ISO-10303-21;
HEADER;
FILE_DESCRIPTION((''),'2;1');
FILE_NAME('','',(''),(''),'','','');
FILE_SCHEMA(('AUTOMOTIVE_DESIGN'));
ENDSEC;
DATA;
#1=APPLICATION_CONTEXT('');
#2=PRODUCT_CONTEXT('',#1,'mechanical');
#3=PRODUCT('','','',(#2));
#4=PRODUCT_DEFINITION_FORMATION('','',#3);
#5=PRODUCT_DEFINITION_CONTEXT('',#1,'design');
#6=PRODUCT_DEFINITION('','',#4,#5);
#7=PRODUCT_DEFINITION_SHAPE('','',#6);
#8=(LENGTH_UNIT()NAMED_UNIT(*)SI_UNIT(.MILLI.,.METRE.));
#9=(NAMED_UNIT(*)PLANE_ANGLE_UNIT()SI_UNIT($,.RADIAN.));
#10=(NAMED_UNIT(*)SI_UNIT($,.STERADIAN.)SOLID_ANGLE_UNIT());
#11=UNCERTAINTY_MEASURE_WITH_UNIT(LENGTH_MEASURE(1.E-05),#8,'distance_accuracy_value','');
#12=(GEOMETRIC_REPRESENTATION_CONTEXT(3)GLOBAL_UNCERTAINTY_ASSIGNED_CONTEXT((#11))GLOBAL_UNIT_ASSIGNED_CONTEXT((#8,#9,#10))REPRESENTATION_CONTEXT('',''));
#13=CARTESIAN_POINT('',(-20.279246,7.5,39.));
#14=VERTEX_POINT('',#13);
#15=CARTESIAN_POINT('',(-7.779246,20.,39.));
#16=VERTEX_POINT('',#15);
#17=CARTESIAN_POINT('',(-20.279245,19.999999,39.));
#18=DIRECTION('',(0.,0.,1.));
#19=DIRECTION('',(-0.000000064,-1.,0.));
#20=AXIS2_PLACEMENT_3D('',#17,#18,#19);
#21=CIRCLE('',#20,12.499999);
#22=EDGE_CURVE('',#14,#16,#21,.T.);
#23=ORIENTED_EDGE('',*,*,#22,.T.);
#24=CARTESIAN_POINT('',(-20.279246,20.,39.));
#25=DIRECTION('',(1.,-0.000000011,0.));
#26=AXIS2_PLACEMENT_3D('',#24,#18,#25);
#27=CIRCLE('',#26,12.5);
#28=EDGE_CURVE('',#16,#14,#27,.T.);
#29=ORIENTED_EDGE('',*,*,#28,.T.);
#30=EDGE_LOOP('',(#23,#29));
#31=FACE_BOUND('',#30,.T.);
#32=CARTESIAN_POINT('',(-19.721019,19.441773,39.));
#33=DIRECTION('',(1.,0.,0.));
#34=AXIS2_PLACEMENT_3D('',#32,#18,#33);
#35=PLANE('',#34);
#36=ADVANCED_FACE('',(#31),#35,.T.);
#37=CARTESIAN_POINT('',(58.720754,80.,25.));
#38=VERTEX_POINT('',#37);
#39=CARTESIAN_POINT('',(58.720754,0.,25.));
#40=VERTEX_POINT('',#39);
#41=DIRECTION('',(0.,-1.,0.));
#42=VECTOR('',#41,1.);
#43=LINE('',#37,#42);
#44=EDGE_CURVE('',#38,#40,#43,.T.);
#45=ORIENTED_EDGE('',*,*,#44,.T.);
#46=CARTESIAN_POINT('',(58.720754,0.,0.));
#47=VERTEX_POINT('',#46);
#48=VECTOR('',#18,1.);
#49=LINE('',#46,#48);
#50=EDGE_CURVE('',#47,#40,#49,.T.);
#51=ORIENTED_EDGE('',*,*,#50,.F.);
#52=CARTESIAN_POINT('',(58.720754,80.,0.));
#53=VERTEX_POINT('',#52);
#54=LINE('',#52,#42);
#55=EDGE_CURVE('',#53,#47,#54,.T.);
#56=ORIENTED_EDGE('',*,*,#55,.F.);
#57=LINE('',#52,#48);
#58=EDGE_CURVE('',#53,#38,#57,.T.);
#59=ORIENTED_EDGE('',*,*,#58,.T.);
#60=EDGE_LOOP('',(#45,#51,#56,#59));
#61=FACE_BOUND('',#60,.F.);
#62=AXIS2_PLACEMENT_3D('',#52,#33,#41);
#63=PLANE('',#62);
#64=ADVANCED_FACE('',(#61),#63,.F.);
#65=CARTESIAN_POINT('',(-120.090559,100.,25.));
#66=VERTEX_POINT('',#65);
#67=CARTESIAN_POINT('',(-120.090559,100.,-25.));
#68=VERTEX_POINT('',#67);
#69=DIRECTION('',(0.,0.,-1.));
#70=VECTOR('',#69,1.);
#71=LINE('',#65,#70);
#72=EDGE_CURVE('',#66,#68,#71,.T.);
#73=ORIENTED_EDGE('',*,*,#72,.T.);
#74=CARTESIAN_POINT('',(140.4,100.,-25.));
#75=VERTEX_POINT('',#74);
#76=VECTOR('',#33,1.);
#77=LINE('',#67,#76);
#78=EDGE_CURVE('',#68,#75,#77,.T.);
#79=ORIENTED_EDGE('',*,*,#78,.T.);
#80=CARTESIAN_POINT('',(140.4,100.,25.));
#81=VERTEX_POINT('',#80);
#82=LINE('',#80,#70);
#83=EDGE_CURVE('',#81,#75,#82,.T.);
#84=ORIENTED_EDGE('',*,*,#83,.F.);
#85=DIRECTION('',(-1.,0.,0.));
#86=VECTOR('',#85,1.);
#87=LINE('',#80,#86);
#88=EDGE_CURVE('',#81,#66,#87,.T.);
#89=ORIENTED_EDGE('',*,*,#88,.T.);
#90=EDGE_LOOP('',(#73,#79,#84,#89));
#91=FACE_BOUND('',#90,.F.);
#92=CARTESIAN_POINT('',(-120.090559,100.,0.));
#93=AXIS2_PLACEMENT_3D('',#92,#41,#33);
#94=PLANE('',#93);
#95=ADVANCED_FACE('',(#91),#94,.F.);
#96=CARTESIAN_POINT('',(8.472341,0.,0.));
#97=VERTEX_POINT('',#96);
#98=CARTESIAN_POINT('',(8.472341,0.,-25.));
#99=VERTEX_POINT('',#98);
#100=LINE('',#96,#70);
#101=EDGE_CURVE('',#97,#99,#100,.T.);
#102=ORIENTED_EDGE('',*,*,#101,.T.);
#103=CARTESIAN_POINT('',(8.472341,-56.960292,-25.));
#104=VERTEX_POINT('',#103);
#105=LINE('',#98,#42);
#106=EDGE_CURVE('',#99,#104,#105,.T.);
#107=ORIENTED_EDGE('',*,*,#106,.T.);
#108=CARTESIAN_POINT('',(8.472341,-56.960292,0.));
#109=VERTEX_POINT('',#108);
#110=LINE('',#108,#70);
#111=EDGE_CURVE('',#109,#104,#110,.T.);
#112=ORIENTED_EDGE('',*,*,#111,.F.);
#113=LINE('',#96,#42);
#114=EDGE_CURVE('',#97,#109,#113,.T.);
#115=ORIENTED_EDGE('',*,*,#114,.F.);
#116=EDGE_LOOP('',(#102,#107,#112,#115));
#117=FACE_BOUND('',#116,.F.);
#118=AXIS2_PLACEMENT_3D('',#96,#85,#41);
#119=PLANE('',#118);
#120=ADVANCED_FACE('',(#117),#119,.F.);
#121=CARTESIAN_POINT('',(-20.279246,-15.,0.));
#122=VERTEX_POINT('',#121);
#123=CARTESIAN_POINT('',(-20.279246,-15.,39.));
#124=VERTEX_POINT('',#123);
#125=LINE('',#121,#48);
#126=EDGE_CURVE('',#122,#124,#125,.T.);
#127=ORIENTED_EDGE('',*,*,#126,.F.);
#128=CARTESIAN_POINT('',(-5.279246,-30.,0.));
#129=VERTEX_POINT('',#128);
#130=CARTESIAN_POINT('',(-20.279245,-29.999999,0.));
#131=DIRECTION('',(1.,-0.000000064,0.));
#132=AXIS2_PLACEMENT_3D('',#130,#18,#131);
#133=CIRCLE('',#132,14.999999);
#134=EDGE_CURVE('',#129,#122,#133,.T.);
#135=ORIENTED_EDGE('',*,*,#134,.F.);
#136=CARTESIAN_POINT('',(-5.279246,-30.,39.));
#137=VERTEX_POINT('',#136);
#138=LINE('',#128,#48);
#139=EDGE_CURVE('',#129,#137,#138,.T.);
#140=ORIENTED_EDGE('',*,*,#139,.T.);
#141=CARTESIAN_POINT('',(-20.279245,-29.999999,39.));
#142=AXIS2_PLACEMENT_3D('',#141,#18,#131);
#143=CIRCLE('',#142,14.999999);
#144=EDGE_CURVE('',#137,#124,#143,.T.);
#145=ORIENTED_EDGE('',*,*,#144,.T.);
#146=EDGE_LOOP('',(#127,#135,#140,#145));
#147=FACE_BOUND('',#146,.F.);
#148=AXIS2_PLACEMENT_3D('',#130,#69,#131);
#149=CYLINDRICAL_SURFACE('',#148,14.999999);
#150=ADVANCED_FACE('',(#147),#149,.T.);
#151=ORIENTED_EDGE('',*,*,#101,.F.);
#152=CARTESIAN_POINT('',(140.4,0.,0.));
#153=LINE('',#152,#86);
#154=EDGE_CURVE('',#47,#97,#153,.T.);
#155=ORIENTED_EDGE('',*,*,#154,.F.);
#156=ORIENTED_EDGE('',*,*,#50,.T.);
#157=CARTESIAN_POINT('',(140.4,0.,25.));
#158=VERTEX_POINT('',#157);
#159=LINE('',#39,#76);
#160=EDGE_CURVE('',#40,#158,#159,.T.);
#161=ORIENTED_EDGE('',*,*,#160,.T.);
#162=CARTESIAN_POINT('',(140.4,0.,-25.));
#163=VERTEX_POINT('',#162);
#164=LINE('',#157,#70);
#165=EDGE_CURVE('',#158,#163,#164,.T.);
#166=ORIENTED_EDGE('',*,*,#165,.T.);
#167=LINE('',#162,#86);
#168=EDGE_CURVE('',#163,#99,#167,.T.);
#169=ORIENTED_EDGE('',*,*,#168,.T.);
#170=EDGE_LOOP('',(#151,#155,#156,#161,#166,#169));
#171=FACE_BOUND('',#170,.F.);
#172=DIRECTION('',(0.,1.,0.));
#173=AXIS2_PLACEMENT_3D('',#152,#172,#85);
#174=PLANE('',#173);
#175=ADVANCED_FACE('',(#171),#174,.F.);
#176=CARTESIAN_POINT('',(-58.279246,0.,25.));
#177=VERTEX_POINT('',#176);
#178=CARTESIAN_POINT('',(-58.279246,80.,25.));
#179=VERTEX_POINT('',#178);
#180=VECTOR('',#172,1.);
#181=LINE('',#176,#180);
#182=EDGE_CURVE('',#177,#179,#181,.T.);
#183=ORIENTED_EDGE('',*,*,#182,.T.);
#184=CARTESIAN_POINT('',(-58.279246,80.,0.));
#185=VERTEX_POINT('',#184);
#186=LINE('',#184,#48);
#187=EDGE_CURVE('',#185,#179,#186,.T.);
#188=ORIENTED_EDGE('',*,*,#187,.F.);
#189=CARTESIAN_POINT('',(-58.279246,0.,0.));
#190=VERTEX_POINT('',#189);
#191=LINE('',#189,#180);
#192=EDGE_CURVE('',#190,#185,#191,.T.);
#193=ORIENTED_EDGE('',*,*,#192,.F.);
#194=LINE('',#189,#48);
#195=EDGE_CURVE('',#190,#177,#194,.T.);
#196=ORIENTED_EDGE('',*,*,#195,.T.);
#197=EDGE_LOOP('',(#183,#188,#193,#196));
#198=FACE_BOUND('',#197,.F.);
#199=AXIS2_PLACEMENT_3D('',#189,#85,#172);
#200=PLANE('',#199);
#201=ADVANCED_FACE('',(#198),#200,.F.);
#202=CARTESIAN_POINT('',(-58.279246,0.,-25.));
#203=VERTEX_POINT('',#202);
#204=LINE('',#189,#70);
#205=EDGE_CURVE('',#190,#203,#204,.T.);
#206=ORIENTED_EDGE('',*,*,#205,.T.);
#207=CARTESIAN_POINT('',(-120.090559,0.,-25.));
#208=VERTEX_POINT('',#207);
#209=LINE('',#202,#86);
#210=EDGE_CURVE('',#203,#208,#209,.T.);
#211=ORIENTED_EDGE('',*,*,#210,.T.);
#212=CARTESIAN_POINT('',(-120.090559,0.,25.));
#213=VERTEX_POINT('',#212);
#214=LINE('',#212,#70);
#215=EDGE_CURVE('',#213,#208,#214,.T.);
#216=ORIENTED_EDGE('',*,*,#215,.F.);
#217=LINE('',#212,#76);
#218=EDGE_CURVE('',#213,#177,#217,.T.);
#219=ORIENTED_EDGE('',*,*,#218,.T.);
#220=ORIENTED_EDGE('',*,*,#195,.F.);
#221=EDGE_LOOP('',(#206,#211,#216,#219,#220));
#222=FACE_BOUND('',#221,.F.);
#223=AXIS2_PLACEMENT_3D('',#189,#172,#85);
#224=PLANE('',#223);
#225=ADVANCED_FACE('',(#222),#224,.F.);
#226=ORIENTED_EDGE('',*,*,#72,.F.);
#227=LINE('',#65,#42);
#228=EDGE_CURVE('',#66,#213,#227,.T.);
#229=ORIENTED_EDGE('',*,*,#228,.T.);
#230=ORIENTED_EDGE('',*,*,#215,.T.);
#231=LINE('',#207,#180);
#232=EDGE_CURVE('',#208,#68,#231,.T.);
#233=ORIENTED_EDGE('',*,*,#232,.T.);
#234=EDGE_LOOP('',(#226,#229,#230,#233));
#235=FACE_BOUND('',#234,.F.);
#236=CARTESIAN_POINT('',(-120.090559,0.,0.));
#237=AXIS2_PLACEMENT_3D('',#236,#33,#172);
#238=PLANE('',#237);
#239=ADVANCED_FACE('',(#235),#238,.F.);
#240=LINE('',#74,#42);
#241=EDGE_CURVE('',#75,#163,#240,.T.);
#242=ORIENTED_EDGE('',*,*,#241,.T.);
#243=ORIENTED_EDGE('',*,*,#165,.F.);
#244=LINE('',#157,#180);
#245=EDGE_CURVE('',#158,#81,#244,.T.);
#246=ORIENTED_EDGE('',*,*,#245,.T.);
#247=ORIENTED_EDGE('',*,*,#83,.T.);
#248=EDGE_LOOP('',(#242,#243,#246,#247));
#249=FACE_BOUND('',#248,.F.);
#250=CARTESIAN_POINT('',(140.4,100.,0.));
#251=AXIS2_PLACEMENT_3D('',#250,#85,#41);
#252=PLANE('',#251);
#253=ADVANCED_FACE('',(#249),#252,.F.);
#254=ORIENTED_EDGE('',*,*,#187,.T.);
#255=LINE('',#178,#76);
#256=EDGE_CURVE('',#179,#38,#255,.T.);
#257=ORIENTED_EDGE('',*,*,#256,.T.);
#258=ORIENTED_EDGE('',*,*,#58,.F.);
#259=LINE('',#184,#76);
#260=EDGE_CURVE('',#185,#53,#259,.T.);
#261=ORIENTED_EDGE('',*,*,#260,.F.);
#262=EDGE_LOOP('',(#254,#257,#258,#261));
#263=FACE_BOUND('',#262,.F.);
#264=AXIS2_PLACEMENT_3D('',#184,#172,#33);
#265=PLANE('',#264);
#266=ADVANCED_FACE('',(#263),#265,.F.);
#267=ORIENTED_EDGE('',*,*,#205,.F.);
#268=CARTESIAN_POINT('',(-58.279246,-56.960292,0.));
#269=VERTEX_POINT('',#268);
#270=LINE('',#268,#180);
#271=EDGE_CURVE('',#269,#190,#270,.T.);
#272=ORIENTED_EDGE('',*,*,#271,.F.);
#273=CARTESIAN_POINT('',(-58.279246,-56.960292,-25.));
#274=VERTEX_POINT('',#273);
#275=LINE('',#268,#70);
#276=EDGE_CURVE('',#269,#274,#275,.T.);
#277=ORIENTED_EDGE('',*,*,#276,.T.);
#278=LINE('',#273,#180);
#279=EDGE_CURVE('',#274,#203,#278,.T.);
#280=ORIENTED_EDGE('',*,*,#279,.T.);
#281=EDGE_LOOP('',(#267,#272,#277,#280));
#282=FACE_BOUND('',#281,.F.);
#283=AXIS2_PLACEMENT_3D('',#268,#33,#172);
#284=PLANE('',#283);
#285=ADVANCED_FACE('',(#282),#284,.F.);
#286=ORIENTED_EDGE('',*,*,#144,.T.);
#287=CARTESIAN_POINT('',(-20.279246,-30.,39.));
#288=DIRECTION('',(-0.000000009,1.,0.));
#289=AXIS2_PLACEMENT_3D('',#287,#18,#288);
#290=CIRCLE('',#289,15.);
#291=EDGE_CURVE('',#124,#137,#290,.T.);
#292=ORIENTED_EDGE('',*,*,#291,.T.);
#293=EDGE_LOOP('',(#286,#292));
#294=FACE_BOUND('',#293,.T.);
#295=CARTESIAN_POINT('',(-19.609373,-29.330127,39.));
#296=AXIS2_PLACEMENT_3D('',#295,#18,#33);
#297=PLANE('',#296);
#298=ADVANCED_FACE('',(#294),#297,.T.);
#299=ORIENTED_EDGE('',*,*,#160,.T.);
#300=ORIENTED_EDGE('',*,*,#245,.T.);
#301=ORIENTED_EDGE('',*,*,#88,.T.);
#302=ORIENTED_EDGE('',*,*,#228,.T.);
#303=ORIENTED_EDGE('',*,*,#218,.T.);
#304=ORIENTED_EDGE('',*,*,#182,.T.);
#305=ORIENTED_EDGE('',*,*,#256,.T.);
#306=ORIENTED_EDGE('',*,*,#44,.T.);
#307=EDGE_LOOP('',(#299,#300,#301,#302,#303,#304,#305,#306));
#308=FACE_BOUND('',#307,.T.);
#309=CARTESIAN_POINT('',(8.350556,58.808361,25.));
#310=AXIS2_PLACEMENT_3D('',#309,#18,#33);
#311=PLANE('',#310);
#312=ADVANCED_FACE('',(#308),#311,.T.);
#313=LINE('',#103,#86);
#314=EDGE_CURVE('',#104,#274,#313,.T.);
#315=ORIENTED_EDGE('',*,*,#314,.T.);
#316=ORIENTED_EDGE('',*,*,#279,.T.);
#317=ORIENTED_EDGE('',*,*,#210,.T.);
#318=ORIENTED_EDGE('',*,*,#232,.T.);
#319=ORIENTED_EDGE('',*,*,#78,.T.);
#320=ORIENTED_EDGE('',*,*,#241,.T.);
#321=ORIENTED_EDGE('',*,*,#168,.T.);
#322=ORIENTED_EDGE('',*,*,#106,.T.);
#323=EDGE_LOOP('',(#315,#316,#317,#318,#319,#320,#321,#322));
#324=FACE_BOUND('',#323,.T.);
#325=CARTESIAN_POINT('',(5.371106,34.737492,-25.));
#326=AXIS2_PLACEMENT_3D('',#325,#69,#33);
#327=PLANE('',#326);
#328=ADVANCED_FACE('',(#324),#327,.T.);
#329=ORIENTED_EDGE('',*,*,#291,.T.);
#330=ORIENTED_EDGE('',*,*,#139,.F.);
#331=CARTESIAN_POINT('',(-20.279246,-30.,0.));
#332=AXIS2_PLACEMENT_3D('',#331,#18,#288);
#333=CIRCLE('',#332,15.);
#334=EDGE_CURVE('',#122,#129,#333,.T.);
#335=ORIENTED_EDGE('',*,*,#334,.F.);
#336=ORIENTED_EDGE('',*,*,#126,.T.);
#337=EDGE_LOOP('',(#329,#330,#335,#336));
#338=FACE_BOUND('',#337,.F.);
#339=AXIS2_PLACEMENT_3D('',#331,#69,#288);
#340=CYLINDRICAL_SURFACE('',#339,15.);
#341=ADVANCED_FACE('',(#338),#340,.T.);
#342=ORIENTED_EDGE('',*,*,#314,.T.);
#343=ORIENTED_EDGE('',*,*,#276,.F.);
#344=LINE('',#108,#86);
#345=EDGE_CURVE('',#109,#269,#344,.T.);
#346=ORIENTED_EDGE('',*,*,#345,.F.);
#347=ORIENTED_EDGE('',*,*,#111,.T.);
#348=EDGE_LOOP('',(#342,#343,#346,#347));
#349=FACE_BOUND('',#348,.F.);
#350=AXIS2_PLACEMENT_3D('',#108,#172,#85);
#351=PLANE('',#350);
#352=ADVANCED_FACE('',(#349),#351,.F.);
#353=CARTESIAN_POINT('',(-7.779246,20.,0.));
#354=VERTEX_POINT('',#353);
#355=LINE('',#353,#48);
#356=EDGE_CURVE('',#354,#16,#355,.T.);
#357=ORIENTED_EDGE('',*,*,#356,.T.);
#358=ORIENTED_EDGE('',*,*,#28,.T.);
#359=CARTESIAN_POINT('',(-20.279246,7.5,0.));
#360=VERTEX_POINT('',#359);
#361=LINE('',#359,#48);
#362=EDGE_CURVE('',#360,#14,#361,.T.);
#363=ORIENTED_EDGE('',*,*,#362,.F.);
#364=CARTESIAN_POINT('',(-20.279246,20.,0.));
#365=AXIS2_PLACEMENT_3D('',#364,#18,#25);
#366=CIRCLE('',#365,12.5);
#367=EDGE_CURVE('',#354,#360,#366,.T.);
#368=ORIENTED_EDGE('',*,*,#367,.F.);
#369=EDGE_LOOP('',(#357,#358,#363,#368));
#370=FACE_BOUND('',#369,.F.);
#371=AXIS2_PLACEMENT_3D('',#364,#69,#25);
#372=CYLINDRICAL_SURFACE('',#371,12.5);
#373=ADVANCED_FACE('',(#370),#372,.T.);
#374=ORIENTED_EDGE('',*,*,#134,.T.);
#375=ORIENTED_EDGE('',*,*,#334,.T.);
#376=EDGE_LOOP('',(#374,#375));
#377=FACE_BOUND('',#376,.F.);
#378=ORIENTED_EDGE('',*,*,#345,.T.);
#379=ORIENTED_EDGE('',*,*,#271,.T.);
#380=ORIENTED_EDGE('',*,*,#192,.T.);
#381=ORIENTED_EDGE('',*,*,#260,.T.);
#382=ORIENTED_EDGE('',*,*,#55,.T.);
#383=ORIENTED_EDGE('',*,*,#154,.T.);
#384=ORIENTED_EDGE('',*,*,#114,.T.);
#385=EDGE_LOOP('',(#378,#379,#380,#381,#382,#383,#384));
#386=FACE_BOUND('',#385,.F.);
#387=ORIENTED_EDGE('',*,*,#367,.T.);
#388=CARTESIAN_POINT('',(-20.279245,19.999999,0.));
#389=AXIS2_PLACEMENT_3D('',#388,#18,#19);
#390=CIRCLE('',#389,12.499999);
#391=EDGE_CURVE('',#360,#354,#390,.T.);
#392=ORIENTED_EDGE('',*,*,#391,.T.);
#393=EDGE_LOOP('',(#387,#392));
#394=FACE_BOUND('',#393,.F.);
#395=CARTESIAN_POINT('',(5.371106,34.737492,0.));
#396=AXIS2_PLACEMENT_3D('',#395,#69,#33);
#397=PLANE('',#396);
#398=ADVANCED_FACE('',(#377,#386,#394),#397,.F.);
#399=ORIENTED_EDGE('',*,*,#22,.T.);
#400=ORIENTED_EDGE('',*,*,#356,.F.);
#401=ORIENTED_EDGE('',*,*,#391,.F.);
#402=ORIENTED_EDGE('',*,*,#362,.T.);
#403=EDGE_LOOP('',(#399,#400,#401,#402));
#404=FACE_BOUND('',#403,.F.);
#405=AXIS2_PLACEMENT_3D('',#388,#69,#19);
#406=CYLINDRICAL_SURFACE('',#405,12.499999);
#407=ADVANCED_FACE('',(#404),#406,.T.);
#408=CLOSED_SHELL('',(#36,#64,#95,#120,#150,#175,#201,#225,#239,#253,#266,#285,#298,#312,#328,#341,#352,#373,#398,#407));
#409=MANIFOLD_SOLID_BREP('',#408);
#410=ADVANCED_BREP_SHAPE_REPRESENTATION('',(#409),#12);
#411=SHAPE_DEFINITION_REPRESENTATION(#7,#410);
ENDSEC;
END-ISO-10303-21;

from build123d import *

# Parameters (mm, degrees)
F1_DEPTH = 25
F3_DEPTH = 25
F5_DEPTH = 39


with BuildPart() as f1:
    # F0 (on Top) → F1 (new body)
    with BuildSketch(Plane.XY):
        Polygon((-120.090559, 100), (-120.090559, 0), (-58.279246, 0), (-58.279246, 80), (58.720754, 80), (58.720754, 0), (140.4, 0), (140.4, 100), align=None)
    extrude(amount=F1_DEPTH)

    # F2 (on face) → F3 (join)
    with BuildSketch(Plane(origin=(0, 0, 0), x_dir=(1, 0, 0), z_dir=(0, 0, -1))):
        Polygon((-58.279246, 0), (-120.090559, 0), (-120.090559, -100), (140.4, -100), (140.4, 0), (8.472341, 0), (8.472341, 56.960292), (-58.279246, 56.960292), align=None)
    extrude(amount=F3_DEPTH)

    # F4 (on face) → F5 (join)
    with BuildSketch(Plane.XY):
        with BuildLine():
            ThreePointArc((-20.279246, 7.5), (-11.440411, 11.161165), (-7.779246, 20))
            ThreePointArc((-7.779246, 20), (-29.118081, 28.838835), (-20.279246, 7.5))
        make_face()
        with BuildLine():
            ThreePointArc((-5.279246, -30), (-9.672644, -19.393398), (-20.279246, -15))
            ThreePointArc((-20.279246, -15), (-30.885847, -40.606602), (-5.279246, -30))
        make_face()
    extrude(amount=F5_DEPTH)


solid = f1.part
